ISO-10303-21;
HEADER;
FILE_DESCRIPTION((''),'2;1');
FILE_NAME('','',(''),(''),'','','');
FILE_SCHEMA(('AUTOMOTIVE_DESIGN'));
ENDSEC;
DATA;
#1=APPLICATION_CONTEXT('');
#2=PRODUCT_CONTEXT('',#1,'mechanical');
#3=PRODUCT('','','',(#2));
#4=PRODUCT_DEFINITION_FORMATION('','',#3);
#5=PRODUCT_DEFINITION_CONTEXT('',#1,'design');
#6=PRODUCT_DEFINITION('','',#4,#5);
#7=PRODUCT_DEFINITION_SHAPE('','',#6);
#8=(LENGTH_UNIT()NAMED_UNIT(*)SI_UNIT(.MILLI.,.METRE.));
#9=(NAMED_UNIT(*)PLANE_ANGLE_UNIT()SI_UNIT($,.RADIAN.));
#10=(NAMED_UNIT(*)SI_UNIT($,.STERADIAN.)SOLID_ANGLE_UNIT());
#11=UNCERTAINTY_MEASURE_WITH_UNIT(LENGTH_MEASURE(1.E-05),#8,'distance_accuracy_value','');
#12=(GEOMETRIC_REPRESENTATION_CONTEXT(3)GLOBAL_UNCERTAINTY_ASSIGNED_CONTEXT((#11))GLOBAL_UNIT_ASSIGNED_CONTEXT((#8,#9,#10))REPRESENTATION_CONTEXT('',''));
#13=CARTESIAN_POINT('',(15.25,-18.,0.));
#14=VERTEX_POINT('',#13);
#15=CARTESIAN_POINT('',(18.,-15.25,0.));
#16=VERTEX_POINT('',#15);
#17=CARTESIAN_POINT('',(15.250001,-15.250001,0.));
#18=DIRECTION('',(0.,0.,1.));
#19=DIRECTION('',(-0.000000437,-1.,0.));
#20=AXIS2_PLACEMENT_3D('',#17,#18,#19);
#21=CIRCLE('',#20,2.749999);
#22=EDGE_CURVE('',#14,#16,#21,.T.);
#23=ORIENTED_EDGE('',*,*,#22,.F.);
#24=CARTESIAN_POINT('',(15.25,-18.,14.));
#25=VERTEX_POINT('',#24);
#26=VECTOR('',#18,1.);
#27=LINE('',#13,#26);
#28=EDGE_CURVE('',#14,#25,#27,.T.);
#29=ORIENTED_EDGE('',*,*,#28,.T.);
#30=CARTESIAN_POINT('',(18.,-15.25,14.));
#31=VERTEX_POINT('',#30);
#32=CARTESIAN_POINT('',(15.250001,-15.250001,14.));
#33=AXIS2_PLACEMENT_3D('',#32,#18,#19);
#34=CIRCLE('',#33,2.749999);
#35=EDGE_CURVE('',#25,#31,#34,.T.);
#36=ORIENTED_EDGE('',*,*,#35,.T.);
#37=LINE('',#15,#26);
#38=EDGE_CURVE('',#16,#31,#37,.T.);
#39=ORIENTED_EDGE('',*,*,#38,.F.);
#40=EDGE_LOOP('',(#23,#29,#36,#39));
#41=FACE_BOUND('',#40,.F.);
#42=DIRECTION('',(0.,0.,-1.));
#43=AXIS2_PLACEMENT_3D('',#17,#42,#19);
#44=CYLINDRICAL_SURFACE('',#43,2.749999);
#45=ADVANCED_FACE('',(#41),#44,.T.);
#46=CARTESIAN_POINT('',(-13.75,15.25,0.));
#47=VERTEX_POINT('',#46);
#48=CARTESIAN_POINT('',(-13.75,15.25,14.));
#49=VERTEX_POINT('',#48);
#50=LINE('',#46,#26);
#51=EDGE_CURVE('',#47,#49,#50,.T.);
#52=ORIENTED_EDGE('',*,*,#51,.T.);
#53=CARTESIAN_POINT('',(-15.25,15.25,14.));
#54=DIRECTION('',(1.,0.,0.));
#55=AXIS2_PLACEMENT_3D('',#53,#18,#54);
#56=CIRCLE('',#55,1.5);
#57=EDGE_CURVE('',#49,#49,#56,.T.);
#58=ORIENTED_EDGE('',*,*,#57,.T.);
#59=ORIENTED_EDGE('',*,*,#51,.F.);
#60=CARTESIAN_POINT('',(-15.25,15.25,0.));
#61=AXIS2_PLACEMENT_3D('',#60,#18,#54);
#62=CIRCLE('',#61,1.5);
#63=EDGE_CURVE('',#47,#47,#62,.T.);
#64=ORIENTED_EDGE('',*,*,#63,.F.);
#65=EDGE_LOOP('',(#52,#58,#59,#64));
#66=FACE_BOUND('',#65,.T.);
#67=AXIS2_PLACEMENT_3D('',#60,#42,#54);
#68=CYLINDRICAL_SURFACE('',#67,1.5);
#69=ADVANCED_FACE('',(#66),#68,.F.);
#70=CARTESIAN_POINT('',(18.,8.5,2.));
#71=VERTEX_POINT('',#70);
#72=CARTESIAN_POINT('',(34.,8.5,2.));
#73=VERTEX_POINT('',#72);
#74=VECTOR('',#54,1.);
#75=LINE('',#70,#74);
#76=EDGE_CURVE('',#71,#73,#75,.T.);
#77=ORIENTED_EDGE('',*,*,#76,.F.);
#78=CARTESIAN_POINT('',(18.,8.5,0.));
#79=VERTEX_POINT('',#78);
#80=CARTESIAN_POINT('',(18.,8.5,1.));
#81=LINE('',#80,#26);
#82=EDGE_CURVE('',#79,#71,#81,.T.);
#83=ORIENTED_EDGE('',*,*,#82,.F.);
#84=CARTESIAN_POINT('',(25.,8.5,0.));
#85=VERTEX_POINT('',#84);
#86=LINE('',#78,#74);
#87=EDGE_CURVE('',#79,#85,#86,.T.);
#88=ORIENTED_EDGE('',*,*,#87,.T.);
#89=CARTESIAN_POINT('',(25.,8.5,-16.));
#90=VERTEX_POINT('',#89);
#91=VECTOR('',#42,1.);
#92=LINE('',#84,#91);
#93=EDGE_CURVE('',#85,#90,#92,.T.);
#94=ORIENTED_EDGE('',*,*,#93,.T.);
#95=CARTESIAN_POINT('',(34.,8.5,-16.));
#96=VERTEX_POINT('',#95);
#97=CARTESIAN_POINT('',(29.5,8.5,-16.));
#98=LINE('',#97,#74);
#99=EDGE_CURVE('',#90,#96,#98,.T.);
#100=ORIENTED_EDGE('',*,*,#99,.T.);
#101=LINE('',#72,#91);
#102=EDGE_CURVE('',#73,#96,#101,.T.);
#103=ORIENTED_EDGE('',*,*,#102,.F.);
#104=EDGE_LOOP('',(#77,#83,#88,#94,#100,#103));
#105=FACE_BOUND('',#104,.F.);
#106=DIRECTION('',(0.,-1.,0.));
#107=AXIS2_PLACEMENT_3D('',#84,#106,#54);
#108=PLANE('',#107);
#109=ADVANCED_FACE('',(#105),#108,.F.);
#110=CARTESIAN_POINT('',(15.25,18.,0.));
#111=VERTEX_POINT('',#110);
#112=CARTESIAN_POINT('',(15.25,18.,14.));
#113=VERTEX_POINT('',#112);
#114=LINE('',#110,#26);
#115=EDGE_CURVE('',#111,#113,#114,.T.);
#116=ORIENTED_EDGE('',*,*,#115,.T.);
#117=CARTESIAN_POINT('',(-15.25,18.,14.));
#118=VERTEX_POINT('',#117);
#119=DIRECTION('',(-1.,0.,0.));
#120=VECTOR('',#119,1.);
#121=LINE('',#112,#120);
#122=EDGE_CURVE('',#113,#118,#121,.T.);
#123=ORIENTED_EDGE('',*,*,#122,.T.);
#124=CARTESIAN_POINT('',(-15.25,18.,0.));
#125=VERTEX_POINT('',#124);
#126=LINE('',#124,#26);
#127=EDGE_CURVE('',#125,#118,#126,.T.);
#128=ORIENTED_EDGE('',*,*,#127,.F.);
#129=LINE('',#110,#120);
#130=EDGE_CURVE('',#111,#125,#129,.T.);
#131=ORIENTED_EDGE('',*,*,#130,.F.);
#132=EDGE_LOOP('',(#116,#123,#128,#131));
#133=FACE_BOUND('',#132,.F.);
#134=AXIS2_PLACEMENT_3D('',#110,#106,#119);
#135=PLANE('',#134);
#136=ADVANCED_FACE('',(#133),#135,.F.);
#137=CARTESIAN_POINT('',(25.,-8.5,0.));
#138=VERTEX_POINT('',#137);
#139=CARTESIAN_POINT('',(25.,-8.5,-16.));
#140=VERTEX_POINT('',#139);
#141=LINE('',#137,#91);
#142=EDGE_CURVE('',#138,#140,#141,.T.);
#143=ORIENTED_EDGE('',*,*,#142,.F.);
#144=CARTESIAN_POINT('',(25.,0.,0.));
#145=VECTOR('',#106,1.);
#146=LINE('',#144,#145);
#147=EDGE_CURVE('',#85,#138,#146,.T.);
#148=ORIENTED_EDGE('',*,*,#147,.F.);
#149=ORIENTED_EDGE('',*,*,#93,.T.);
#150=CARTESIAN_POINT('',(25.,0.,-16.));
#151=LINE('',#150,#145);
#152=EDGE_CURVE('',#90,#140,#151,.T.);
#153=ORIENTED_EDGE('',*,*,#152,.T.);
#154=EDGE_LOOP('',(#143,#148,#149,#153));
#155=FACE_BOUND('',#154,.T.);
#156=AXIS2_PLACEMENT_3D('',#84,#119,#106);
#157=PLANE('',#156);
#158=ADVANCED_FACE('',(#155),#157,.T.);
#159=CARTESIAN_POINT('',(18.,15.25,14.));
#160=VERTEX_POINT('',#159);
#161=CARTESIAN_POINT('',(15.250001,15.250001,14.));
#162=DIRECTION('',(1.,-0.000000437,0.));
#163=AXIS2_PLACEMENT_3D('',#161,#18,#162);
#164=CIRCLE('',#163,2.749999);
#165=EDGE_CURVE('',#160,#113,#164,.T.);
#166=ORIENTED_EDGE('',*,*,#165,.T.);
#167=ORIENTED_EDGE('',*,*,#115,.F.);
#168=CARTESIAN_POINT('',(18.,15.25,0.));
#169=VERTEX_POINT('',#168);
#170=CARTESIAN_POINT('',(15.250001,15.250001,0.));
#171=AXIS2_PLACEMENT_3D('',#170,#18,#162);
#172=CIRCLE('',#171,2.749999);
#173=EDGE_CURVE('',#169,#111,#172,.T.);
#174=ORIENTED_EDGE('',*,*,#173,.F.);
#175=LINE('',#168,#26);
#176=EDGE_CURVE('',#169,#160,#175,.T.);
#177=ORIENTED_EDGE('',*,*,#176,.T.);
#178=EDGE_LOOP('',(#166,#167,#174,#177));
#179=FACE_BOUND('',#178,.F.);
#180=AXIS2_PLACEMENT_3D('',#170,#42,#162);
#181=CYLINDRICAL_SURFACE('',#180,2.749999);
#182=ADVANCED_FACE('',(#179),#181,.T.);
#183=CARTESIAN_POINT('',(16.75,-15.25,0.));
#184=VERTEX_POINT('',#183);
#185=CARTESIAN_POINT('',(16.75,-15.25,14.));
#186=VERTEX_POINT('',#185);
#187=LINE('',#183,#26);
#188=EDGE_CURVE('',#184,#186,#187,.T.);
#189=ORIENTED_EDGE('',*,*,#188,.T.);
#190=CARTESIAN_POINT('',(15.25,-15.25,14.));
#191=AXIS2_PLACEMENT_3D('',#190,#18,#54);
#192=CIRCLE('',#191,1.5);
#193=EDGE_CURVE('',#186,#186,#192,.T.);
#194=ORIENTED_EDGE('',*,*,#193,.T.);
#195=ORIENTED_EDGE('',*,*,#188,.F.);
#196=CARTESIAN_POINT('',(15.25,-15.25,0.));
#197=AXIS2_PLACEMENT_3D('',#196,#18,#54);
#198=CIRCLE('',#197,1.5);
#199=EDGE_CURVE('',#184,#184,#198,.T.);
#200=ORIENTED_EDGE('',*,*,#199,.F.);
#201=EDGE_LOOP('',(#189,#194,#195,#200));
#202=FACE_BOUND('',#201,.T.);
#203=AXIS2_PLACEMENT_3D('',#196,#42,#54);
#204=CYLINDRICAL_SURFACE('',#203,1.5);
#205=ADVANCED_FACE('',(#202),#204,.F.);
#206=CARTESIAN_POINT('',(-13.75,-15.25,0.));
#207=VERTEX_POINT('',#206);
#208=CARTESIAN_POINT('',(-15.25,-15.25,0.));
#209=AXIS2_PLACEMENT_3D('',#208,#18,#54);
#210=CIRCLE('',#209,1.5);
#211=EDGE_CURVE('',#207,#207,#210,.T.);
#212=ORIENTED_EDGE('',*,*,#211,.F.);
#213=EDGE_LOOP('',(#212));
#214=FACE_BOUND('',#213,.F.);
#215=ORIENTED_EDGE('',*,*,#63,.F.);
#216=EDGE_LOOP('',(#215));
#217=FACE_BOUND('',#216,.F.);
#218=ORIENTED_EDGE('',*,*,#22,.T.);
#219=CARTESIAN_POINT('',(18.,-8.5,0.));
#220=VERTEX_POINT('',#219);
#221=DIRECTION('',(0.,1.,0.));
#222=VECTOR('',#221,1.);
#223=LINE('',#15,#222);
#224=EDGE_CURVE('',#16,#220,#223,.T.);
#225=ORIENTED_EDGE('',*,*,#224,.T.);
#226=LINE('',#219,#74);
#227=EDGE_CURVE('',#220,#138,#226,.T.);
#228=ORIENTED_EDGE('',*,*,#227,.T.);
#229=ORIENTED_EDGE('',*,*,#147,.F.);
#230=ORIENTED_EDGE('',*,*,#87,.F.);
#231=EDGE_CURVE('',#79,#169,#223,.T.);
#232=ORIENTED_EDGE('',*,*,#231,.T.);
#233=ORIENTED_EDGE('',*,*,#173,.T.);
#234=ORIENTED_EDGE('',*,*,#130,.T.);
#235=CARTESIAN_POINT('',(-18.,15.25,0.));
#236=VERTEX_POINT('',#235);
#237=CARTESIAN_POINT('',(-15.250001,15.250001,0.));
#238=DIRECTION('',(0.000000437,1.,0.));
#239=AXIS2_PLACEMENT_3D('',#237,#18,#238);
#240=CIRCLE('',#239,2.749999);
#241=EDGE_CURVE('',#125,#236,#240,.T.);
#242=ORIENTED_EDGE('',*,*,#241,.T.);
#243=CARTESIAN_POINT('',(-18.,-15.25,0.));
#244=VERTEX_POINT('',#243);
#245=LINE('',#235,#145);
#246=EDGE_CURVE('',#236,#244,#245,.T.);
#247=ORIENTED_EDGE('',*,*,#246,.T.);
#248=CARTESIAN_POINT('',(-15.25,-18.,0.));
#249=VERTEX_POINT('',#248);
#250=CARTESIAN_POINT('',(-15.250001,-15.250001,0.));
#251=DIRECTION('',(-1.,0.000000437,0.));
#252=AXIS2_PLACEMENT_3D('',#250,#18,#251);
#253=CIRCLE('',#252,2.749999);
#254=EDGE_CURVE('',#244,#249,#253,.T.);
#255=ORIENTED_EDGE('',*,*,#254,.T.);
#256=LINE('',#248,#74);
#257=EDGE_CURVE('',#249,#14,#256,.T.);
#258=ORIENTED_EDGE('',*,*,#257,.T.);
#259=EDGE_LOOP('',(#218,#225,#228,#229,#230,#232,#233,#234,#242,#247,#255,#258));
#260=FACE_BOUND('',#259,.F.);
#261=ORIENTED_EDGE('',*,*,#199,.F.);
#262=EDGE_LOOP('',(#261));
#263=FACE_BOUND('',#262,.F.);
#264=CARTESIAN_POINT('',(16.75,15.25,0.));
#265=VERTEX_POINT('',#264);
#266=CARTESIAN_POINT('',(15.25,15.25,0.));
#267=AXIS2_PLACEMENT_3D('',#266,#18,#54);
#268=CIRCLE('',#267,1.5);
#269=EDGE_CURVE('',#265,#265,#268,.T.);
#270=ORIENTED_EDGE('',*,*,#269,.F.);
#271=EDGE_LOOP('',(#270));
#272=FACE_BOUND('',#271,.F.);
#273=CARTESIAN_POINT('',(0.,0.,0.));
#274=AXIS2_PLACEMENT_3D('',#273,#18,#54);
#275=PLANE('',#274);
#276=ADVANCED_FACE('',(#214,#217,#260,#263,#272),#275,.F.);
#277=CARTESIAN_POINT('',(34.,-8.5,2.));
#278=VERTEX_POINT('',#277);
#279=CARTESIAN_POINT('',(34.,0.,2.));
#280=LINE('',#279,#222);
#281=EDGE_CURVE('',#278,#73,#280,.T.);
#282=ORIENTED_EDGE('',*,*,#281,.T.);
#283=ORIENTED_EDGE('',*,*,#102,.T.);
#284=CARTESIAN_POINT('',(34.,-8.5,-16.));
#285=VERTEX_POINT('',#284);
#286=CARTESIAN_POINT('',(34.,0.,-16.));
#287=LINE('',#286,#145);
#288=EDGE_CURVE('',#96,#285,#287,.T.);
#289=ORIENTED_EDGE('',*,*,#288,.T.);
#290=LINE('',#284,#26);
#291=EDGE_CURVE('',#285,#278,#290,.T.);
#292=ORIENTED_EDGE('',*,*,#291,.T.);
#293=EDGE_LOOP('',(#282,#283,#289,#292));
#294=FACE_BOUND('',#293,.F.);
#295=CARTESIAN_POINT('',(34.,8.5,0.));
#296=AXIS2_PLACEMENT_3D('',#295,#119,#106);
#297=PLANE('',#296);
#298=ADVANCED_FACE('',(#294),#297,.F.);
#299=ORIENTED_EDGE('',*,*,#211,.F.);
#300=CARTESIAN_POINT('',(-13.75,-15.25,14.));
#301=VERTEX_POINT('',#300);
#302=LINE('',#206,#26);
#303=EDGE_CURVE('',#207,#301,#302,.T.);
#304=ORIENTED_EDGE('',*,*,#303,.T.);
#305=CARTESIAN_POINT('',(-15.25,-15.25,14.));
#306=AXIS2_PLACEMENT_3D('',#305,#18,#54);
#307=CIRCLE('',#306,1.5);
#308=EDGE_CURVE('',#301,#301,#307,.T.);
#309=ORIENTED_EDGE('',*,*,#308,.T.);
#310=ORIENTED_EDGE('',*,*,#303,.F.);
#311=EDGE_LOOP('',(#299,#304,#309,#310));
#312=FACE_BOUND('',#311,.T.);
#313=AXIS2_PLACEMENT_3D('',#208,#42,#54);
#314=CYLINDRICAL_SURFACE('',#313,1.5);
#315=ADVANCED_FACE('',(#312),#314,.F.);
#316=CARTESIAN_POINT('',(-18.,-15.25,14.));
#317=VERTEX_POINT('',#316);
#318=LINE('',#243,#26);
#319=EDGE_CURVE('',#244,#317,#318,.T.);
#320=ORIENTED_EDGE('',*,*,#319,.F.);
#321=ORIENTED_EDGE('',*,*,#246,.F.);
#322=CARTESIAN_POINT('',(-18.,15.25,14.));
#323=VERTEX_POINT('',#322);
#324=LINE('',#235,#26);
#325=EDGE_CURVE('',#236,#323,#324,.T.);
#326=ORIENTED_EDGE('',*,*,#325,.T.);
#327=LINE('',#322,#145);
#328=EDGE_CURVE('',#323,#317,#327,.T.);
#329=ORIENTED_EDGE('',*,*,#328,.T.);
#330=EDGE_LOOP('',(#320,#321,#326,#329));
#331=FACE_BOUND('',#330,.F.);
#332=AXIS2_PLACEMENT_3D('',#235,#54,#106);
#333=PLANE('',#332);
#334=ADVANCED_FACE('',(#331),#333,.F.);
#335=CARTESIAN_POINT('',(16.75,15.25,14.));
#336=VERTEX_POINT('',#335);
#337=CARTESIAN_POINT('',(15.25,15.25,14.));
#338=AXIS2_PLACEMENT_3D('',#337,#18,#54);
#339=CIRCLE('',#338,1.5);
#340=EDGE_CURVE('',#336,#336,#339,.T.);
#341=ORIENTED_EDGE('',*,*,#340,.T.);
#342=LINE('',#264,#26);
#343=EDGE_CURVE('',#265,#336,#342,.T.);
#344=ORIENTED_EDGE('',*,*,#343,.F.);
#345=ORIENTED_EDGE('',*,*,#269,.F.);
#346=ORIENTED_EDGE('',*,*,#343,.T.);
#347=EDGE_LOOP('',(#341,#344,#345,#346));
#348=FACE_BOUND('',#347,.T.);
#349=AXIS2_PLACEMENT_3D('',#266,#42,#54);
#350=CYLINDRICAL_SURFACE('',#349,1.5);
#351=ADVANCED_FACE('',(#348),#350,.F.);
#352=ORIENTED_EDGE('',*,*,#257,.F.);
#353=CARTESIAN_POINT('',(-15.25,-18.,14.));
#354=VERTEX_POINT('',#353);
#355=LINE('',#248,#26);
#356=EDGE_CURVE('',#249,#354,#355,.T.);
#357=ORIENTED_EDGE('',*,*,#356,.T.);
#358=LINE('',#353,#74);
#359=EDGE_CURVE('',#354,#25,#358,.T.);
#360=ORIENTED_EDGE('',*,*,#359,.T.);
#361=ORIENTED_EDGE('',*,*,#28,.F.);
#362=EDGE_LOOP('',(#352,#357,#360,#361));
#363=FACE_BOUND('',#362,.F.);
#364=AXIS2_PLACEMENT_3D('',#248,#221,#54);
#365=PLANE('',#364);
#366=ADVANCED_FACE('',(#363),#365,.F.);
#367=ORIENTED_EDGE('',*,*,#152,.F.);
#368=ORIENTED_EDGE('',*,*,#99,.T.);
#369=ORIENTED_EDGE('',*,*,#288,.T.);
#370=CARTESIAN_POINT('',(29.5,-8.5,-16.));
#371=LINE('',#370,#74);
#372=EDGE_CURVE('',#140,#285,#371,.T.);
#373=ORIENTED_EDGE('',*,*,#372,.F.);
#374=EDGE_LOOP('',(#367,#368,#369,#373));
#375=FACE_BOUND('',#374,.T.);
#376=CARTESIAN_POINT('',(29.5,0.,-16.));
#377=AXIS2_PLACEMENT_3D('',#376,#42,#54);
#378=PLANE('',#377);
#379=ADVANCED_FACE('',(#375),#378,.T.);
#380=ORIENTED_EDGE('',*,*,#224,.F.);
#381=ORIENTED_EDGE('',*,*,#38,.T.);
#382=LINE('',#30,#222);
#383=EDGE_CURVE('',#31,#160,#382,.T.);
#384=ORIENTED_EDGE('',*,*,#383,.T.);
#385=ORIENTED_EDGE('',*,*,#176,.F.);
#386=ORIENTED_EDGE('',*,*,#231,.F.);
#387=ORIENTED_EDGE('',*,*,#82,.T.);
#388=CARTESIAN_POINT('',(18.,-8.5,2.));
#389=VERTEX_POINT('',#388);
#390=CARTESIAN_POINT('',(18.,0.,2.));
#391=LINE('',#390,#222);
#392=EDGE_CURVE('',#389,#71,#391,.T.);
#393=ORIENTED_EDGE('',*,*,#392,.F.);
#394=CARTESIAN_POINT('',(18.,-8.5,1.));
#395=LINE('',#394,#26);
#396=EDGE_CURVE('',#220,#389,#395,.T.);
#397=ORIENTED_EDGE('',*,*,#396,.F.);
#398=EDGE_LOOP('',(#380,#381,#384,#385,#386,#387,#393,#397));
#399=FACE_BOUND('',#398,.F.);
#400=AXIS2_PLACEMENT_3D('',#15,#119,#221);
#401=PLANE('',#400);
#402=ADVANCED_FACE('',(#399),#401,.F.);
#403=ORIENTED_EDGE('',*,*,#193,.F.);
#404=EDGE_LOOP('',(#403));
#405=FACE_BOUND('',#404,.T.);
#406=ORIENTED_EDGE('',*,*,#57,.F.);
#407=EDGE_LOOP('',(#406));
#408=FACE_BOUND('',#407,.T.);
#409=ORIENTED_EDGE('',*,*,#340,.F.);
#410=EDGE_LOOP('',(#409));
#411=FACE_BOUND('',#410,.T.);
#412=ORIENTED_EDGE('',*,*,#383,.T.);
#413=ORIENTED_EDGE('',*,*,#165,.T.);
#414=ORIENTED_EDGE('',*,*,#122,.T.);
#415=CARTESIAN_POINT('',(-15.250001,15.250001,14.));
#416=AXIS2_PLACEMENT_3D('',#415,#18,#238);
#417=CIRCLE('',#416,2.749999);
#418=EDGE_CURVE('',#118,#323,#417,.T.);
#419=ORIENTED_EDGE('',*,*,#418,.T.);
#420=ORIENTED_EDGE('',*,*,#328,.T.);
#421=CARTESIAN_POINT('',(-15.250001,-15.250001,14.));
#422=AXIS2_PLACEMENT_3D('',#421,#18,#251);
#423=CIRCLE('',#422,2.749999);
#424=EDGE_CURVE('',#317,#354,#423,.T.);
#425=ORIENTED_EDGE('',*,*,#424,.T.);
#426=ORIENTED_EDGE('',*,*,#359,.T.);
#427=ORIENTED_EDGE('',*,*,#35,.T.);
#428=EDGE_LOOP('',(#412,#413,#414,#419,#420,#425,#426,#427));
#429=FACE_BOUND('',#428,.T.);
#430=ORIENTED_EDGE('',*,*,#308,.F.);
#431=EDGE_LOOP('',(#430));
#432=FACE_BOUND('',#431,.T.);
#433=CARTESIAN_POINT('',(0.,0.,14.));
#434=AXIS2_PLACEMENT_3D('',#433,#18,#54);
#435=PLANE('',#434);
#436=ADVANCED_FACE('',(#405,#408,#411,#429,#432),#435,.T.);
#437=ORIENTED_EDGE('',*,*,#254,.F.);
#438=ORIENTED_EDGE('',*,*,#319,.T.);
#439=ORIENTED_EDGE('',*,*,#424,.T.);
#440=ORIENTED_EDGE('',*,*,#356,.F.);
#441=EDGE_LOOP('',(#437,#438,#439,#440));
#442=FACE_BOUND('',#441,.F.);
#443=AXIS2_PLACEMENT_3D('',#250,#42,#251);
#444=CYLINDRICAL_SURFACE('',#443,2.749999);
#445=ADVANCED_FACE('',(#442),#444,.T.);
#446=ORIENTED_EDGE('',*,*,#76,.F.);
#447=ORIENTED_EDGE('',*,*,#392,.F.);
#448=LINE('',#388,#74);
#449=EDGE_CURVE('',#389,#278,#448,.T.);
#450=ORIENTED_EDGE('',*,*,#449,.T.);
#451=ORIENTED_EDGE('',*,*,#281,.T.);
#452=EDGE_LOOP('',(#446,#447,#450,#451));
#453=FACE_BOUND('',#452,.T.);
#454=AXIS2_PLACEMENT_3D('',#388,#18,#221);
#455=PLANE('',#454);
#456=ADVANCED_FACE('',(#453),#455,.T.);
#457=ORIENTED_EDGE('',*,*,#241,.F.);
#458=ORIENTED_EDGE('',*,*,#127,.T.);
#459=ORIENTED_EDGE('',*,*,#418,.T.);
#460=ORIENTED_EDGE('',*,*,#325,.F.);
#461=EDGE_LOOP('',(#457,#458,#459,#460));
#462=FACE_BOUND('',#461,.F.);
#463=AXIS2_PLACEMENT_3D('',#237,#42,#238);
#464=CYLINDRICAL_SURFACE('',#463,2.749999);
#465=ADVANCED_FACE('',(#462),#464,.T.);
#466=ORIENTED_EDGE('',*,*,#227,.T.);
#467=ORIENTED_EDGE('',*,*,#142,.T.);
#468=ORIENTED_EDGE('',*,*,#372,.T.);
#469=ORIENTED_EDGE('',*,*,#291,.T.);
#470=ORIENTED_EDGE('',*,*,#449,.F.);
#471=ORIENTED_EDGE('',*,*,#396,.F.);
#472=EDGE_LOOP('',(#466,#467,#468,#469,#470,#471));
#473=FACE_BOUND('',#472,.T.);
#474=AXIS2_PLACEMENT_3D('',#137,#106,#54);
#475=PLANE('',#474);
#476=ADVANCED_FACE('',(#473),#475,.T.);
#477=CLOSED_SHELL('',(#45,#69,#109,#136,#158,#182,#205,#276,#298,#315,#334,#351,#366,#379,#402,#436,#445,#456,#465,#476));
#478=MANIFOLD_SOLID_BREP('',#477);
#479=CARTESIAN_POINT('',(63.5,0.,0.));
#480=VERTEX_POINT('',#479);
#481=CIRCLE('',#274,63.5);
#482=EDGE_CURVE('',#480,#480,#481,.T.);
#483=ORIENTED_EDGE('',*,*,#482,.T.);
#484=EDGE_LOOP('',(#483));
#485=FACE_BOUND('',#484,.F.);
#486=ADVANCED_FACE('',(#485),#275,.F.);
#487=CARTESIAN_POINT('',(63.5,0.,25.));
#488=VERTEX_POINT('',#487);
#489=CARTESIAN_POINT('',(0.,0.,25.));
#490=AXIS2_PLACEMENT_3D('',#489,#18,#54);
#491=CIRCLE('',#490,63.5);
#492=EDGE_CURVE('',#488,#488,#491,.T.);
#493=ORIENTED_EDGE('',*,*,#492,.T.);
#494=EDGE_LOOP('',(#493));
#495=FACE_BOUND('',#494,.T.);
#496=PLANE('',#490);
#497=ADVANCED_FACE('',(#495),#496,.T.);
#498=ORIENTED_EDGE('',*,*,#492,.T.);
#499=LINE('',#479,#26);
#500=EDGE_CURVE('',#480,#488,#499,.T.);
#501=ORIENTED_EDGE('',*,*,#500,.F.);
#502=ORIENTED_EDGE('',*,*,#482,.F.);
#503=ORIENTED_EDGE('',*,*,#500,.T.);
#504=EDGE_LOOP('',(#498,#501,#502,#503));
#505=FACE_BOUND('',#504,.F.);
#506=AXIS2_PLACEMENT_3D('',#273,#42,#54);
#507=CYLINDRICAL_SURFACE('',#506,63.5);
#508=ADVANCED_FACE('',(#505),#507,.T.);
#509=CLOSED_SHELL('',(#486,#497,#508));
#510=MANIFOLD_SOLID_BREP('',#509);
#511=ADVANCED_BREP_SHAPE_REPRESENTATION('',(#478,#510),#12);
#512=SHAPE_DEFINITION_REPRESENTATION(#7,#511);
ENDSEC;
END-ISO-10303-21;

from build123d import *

# Parameters (mm, degrees)
F0_R     = 1.5
F1_DEPTH = 14
F2_W     = 17
F2_H     = 2
F3_DEPTH = 16
F4_W     = 9
F4_H     = 17
F5_DEPTH = 16
F6_R     = 63.5
F7_DEPTH = 25


with BuildPart() as f1:
    # F0 (on Top) → F1 (new body)
    with BuildSketch(Plane.XY):
        with BuildLine():
            Line((15.25, 18), (-15.25, 18))
            ThreePointArc((-15.25, 18), (-17.194544, 17.194544), (-18, 15.25))
            Line((-18, 15.25), (-18, -15.25))
            ThreePointArc((-18, -15.25), (-17.194544, -17.194544), (-15.25, -18))
            Line((-15.25, -18), (15.25, -18))
            ThreePointArc((15.25, -18), (17.194544, -17.194544), (18, -15.25))
            Line((18, -15.25), (18, 15.25))
            ThreePointArc((18, 15.25), (17.194544, 17.194544), (15.25, 18))
        make_face()
        with Locations((-15.25, -15.25)):
            Circle(F0_R, mode=Mode.SUBTRACT)
        with Locations((15.25, -15.25)):
            Circle(F0_R, mode=Mode.SUBTRACT)
        with Locations((-15.25, 15.25)):
            Circle(F0_R, mode=Mode.SUBTRACT)
        with Locations((15.25, 15.25)):
            Circle(F0_R, mode=Mode.SUBTRACT)
    extrude(amount=F1_DEPTH)

    # F2 (on face) → F3 (join)
    with BuildSketch(Plane.YZ.offset(18)):
        with Locations((0, 1)):
            Rectangle(F2_W, F2_H)
    extrude(amount=F3_DEPTH)

    # F4 (on face) → F5 (join)
    with BuildSketch(Plane(origin=(0, 0, 0), x_dir=(1, 0, 0), z_dir=(0, 0, -1))):
        with Locations((29.5, 0)):
            Rectangle(F4_W, F4_H)
    extrude(amount=F5_DEPTH)


with BuildPart() as f7:
    # F6 (on Top) → F7 (new body)
    with BuildSketch(Plane.XY):
        Circle(F6_R)
    extrude(amount=F7_DEPTH)


solid = Compound([f1.part, f7.part])
